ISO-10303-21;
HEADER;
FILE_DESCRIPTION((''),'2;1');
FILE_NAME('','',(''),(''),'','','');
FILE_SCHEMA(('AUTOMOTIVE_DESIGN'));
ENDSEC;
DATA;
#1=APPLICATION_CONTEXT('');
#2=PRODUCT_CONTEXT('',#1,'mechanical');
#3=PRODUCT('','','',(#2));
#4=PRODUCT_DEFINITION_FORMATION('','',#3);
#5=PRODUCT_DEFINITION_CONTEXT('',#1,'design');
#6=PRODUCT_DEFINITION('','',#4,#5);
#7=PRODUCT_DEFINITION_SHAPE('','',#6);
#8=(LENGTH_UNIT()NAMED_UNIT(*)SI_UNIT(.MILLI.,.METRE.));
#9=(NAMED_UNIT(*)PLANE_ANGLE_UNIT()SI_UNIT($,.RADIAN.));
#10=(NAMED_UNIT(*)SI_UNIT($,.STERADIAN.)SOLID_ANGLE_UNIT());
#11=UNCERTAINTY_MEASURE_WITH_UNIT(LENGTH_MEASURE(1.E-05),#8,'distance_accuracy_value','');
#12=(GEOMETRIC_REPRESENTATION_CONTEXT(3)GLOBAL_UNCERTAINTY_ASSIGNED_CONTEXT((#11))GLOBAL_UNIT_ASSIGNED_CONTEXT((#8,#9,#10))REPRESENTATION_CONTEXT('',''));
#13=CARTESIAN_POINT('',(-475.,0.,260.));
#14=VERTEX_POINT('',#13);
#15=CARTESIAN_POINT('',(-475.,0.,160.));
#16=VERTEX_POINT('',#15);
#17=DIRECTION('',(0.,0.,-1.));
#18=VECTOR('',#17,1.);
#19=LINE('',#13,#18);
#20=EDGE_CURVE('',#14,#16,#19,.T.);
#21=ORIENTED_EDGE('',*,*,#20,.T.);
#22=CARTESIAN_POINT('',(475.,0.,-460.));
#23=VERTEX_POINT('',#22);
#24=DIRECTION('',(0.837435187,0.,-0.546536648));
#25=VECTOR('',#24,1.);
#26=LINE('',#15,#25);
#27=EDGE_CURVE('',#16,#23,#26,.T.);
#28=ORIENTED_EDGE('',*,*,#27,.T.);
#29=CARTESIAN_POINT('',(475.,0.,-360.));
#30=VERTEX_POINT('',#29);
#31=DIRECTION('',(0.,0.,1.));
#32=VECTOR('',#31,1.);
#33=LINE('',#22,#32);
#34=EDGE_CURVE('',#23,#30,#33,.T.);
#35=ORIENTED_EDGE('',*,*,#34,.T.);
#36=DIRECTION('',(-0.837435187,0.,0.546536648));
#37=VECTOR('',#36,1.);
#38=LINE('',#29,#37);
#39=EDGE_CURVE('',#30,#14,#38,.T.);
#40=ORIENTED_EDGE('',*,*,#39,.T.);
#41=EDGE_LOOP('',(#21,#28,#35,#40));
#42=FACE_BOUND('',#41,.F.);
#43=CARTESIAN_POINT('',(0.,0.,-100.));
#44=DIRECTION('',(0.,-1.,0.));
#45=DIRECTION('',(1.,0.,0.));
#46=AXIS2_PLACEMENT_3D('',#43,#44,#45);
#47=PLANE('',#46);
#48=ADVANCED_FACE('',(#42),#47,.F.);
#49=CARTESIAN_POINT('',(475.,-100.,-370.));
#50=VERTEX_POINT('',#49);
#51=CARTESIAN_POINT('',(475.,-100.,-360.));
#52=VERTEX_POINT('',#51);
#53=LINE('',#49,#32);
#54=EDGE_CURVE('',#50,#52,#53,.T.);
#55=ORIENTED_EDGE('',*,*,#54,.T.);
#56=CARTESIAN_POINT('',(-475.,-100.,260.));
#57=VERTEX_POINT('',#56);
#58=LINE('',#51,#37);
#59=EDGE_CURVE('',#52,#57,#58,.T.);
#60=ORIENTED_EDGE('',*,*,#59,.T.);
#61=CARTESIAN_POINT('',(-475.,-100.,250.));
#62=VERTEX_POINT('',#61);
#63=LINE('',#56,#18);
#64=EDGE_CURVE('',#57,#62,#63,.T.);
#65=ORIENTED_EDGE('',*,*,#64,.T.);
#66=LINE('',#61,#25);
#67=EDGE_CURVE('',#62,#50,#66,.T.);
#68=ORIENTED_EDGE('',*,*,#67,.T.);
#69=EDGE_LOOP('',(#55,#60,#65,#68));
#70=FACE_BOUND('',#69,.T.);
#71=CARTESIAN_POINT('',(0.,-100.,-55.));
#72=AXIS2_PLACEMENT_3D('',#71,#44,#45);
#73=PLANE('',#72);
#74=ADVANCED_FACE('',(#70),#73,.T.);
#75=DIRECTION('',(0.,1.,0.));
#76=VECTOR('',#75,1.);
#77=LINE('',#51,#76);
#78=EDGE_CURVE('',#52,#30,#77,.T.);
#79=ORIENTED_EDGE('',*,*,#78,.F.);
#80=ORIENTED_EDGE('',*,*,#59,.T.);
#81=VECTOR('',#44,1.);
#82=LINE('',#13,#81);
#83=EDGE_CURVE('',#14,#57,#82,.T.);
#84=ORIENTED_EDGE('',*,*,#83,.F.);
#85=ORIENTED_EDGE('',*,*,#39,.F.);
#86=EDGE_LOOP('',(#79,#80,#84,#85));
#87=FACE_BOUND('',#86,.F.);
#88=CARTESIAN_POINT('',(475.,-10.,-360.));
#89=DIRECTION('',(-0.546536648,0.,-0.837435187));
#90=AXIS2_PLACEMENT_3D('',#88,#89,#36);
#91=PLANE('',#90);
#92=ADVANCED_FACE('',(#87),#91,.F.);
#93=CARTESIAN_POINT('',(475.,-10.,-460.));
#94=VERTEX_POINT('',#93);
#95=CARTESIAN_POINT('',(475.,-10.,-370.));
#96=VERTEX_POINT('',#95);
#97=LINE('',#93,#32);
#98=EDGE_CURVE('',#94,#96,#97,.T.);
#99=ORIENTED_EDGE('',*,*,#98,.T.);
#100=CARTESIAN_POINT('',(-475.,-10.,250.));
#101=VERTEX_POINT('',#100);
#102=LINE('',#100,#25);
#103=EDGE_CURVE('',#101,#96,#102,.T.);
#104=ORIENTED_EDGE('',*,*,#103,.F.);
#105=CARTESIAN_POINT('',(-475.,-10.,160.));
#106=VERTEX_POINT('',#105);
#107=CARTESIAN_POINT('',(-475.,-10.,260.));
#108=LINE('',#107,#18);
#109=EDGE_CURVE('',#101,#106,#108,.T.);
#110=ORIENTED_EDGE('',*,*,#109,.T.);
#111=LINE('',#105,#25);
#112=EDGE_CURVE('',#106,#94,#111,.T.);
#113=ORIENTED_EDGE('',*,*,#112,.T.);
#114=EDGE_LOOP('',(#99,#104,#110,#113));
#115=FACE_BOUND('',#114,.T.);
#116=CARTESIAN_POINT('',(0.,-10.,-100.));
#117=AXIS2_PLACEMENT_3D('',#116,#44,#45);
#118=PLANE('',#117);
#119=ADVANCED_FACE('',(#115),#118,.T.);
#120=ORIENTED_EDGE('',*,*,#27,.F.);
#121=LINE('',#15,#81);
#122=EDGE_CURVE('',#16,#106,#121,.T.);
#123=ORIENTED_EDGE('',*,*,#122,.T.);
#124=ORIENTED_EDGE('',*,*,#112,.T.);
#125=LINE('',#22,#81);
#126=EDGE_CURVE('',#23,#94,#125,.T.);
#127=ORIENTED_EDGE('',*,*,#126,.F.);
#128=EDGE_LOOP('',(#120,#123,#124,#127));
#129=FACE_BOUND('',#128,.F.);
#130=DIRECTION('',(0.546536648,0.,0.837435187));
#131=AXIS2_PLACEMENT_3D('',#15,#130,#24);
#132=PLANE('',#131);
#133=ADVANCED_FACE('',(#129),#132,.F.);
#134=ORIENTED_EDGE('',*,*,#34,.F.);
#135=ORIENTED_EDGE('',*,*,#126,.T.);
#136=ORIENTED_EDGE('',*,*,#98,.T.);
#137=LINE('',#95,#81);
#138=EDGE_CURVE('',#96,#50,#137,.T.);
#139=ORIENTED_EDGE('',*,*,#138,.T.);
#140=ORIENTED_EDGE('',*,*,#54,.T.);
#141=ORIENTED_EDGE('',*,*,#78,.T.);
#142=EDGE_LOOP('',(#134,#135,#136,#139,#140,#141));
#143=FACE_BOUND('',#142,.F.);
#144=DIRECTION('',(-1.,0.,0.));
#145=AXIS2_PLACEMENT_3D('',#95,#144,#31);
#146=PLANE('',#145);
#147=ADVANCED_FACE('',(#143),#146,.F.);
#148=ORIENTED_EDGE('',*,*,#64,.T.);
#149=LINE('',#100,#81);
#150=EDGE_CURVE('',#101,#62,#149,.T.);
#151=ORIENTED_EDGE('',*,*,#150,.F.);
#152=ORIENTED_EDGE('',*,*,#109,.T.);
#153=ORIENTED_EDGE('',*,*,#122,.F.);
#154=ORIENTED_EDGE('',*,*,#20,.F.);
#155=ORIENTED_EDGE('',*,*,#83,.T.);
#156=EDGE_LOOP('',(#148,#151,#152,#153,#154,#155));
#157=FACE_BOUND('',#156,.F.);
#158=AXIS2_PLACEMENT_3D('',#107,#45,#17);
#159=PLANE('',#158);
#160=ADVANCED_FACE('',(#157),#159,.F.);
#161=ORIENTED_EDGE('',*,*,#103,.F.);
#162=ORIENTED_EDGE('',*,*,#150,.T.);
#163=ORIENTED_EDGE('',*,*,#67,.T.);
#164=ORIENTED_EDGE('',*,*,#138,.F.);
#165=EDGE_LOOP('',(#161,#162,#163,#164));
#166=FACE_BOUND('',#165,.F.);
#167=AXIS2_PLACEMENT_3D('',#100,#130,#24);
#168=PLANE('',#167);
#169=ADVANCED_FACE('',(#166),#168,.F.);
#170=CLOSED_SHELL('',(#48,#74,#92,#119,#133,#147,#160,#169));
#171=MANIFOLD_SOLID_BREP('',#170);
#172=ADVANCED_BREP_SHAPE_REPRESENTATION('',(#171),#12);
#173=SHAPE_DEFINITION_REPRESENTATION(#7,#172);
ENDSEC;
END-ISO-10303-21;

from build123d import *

# Parameters (mm, degrees)
F1_DEPTH = 10
F3_DEPTH = 90


with BuildPart() as f1:
    # F0 (on Front) → F1 (new body)
    with BuildSketch(Plane.XZ):
        Polygon((475, -360), (-475, 260), (-475, 160), (475, -460), align=None)
    extrude(amount=F1_DEPTH)

    # F2 (on face) → F3 (join)
    with BuildSketch(Plane.XZ.offset(10)):
        Polygon((475, -360), (-475, 260), (-475, 250), (475, -370), align=None)
    extrude(amount=F3_DEPTH)


solid = f1.part
